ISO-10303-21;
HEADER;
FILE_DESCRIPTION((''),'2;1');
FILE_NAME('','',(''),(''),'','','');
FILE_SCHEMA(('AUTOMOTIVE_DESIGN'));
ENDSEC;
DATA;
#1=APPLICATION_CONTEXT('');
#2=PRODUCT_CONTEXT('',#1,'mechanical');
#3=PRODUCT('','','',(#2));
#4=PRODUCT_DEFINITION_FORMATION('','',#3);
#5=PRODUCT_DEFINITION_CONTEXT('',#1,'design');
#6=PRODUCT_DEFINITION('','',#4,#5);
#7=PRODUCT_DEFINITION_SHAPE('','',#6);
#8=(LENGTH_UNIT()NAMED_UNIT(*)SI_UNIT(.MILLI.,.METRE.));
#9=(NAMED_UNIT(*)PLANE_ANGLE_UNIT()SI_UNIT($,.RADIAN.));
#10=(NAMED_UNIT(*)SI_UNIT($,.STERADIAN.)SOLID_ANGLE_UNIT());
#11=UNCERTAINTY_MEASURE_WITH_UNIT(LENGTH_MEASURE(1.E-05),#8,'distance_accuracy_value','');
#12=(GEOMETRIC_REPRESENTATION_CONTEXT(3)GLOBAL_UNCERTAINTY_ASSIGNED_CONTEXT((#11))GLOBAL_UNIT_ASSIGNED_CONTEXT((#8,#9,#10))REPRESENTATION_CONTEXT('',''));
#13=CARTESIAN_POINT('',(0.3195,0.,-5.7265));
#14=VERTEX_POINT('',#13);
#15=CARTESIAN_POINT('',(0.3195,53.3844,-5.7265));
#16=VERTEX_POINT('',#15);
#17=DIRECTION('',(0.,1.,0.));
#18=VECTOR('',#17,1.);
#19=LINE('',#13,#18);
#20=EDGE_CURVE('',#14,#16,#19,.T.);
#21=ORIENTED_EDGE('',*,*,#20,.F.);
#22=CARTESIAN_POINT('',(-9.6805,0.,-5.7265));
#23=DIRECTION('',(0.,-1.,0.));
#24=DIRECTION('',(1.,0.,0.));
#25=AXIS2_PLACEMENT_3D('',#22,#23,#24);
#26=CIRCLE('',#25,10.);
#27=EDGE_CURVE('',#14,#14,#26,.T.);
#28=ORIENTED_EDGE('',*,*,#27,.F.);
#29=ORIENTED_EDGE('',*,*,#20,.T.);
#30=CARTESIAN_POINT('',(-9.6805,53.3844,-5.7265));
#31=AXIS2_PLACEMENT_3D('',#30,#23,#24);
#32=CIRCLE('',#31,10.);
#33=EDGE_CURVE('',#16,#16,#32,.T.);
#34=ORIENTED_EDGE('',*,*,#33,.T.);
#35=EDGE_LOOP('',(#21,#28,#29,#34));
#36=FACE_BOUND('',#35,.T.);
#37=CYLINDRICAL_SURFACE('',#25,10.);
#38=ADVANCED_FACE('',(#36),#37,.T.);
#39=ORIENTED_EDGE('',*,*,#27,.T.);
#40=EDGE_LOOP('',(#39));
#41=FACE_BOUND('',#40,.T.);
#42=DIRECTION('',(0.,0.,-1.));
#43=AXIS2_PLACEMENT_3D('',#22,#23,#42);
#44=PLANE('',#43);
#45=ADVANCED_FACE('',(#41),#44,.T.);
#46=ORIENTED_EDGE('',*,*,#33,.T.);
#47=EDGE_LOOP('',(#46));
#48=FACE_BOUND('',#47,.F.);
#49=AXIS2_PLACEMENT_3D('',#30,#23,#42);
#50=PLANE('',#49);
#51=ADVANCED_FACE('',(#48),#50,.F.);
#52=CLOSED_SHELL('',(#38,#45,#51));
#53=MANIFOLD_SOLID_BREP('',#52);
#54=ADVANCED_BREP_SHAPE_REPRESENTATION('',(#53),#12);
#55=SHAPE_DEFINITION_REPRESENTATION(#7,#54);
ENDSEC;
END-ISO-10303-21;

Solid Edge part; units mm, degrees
sketch "Sketch1" plane through (0, 0, 0) normal (0, -1, 0) x (1, 0, 0)
  circle A0 centre (-9.6805, -5.7265) radius 10
  dimension "D1" = 20
extrude "Protrusion1" add sketch "Sketch1" against normal blind 53.3844
